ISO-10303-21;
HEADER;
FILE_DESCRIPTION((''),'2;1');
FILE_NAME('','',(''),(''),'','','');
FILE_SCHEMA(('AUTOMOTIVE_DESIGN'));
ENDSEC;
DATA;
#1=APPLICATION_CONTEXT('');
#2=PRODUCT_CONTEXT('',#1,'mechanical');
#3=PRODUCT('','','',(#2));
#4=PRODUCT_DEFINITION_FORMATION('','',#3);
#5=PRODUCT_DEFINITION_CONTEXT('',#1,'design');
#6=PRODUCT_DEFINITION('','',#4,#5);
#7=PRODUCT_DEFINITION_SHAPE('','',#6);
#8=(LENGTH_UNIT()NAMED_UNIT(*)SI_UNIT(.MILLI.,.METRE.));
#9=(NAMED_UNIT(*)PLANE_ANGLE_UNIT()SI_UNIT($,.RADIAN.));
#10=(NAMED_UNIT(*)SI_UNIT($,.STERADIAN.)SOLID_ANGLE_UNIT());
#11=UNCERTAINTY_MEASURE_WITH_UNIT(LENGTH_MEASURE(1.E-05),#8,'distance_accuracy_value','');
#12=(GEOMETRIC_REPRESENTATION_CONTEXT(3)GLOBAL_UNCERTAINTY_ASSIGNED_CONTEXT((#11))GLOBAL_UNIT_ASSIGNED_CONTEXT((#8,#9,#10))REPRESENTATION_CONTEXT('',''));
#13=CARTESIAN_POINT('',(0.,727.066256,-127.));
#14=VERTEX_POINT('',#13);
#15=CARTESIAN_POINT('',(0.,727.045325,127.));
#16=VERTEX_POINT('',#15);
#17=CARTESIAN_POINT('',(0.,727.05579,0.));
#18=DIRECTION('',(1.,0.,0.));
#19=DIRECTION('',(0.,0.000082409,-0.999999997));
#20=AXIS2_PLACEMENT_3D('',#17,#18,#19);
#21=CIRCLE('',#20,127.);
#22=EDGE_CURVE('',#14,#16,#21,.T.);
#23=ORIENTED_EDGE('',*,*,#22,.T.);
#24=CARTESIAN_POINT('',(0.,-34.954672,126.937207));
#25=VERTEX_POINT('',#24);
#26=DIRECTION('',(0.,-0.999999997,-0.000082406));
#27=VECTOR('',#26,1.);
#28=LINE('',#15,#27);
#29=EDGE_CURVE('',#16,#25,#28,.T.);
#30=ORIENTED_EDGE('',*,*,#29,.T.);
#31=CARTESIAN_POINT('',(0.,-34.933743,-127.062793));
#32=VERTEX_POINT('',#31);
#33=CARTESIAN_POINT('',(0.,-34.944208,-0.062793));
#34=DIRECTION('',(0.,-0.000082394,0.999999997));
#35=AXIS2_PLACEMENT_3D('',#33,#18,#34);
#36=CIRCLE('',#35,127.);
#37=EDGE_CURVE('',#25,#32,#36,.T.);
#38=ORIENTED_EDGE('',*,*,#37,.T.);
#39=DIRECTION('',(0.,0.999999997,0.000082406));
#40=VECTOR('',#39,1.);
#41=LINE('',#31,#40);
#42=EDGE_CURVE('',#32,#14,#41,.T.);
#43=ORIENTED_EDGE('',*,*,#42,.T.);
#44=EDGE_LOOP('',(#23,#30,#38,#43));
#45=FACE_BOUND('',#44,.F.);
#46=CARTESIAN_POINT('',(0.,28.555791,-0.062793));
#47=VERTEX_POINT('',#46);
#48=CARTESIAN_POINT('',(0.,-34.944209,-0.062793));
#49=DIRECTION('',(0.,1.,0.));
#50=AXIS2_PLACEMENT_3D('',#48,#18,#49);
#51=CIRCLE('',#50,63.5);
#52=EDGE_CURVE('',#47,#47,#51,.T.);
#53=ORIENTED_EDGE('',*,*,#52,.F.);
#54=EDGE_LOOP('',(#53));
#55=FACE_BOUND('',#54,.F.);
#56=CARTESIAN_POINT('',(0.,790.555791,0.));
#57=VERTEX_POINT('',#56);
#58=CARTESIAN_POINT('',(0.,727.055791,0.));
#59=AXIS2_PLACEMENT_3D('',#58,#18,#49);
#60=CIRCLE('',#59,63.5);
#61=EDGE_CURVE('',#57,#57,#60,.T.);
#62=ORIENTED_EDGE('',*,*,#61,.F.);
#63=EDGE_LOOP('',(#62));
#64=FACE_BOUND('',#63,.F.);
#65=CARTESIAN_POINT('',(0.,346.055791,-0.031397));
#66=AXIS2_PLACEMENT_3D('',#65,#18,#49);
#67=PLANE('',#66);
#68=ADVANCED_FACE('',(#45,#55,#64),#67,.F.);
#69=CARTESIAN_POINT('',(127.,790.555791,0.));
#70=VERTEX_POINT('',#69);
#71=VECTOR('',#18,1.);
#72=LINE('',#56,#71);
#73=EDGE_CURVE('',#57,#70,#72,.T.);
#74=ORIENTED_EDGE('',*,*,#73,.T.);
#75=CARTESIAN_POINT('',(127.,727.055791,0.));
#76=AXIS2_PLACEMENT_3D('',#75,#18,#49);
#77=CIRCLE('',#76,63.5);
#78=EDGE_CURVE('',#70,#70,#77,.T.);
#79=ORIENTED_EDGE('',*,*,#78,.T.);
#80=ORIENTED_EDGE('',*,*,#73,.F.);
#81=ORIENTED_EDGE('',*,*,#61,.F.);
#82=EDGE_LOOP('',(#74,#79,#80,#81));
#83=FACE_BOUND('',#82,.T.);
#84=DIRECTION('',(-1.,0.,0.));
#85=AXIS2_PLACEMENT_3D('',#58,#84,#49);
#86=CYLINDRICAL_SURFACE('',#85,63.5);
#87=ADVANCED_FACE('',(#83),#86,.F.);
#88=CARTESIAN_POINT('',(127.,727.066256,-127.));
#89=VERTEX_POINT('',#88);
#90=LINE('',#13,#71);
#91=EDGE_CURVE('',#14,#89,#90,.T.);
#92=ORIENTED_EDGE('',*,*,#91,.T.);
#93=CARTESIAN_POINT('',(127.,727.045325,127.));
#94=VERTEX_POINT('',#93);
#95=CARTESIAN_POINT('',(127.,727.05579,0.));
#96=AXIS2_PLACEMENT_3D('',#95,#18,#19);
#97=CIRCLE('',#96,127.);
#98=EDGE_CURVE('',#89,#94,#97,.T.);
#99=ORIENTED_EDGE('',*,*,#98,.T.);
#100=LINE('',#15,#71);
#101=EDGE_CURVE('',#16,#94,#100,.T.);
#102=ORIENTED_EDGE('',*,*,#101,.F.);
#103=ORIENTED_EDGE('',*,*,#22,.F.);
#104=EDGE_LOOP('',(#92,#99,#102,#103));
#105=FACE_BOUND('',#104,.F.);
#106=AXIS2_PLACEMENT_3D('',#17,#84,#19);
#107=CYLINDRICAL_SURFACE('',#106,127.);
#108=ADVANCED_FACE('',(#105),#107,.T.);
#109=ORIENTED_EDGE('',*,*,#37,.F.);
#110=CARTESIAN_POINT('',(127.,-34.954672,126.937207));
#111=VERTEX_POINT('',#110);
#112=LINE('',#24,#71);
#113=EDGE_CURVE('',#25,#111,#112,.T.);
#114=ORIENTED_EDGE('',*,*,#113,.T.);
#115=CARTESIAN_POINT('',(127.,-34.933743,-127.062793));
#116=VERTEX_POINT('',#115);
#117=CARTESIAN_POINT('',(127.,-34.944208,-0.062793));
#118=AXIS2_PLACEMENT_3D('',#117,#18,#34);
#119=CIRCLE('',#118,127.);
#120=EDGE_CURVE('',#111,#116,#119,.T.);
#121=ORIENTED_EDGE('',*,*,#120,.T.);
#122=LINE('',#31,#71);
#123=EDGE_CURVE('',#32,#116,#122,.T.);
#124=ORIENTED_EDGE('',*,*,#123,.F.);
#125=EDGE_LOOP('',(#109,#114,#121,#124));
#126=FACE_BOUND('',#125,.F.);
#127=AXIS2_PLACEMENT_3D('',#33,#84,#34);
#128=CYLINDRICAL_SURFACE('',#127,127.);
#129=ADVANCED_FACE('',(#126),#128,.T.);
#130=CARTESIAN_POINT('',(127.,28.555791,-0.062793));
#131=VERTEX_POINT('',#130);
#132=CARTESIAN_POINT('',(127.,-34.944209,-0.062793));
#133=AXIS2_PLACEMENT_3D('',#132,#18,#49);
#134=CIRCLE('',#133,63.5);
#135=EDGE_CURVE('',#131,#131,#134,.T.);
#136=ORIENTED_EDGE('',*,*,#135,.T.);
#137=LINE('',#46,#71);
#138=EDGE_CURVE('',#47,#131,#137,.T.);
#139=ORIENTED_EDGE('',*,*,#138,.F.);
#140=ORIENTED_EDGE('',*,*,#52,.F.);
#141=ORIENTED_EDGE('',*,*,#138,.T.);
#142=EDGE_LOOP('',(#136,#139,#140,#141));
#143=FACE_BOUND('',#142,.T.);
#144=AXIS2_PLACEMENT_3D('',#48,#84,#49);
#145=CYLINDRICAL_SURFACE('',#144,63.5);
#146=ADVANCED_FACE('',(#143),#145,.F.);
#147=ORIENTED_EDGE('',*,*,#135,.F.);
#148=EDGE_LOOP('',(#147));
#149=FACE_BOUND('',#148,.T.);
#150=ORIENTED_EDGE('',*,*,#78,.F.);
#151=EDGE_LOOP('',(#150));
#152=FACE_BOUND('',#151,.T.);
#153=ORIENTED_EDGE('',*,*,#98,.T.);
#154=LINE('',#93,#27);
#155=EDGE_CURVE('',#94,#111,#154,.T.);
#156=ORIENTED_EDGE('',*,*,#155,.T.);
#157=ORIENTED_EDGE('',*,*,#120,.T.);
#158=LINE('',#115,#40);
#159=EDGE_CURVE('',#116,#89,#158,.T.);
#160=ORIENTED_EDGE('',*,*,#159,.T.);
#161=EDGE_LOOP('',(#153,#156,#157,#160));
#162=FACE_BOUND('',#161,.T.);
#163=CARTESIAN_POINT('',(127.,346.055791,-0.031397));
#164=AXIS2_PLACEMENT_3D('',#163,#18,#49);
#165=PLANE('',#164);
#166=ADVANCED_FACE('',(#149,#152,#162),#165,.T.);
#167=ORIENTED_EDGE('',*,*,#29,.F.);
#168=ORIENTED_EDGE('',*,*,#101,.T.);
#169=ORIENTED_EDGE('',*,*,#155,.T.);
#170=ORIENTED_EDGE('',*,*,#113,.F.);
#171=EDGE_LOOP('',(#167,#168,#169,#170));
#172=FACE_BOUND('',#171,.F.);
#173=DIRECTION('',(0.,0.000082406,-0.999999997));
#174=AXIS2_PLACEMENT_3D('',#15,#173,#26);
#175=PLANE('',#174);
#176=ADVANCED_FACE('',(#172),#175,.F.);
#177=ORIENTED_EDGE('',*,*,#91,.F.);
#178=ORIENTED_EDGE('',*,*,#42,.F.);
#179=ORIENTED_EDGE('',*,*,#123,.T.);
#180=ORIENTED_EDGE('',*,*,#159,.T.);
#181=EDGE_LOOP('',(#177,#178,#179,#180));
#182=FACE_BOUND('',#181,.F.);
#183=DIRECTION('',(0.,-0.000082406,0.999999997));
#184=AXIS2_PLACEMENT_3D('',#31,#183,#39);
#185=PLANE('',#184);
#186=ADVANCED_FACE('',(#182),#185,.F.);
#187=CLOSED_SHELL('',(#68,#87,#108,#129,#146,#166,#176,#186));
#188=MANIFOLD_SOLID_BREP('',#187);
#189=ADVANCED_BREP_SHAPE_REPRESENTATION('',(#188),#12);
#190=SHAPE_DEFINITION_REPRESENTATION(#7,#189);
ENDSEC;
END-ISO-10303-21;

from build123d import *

# Parameters (mm, degrees)
F0_R     = 63.5
F1_DEPTH = 127


with BuildPart() as f1:
    # F0 (on Right) → F1 (new body)
    with BuildSketch(Plane.YZ):
        with BuildLine():
            Line((727.045325, 127), (-34.954672, 126.937207))
            ThreePointArc((-34.954672, 126.937207), (-161.944208, -0.073258), (-34.933743, -127.062793))
            Line((-34.933743, -127.062793), (727.066256, -127))
            ThreePointArc((727.066256, -127), (854.05579, 0.010466), (727.045325, 127))
        make_face()
        with Locations((-34.944209, -0.062793)):
            Circle(F0_R, mode=Mode.SUBTRACT)
        with Locations((727.055791, 0)):
            Circle(F0_R, mode=Mode.SUBTRACT)
    extrude(amount=F1_DEPTH)


solid = f1.part
